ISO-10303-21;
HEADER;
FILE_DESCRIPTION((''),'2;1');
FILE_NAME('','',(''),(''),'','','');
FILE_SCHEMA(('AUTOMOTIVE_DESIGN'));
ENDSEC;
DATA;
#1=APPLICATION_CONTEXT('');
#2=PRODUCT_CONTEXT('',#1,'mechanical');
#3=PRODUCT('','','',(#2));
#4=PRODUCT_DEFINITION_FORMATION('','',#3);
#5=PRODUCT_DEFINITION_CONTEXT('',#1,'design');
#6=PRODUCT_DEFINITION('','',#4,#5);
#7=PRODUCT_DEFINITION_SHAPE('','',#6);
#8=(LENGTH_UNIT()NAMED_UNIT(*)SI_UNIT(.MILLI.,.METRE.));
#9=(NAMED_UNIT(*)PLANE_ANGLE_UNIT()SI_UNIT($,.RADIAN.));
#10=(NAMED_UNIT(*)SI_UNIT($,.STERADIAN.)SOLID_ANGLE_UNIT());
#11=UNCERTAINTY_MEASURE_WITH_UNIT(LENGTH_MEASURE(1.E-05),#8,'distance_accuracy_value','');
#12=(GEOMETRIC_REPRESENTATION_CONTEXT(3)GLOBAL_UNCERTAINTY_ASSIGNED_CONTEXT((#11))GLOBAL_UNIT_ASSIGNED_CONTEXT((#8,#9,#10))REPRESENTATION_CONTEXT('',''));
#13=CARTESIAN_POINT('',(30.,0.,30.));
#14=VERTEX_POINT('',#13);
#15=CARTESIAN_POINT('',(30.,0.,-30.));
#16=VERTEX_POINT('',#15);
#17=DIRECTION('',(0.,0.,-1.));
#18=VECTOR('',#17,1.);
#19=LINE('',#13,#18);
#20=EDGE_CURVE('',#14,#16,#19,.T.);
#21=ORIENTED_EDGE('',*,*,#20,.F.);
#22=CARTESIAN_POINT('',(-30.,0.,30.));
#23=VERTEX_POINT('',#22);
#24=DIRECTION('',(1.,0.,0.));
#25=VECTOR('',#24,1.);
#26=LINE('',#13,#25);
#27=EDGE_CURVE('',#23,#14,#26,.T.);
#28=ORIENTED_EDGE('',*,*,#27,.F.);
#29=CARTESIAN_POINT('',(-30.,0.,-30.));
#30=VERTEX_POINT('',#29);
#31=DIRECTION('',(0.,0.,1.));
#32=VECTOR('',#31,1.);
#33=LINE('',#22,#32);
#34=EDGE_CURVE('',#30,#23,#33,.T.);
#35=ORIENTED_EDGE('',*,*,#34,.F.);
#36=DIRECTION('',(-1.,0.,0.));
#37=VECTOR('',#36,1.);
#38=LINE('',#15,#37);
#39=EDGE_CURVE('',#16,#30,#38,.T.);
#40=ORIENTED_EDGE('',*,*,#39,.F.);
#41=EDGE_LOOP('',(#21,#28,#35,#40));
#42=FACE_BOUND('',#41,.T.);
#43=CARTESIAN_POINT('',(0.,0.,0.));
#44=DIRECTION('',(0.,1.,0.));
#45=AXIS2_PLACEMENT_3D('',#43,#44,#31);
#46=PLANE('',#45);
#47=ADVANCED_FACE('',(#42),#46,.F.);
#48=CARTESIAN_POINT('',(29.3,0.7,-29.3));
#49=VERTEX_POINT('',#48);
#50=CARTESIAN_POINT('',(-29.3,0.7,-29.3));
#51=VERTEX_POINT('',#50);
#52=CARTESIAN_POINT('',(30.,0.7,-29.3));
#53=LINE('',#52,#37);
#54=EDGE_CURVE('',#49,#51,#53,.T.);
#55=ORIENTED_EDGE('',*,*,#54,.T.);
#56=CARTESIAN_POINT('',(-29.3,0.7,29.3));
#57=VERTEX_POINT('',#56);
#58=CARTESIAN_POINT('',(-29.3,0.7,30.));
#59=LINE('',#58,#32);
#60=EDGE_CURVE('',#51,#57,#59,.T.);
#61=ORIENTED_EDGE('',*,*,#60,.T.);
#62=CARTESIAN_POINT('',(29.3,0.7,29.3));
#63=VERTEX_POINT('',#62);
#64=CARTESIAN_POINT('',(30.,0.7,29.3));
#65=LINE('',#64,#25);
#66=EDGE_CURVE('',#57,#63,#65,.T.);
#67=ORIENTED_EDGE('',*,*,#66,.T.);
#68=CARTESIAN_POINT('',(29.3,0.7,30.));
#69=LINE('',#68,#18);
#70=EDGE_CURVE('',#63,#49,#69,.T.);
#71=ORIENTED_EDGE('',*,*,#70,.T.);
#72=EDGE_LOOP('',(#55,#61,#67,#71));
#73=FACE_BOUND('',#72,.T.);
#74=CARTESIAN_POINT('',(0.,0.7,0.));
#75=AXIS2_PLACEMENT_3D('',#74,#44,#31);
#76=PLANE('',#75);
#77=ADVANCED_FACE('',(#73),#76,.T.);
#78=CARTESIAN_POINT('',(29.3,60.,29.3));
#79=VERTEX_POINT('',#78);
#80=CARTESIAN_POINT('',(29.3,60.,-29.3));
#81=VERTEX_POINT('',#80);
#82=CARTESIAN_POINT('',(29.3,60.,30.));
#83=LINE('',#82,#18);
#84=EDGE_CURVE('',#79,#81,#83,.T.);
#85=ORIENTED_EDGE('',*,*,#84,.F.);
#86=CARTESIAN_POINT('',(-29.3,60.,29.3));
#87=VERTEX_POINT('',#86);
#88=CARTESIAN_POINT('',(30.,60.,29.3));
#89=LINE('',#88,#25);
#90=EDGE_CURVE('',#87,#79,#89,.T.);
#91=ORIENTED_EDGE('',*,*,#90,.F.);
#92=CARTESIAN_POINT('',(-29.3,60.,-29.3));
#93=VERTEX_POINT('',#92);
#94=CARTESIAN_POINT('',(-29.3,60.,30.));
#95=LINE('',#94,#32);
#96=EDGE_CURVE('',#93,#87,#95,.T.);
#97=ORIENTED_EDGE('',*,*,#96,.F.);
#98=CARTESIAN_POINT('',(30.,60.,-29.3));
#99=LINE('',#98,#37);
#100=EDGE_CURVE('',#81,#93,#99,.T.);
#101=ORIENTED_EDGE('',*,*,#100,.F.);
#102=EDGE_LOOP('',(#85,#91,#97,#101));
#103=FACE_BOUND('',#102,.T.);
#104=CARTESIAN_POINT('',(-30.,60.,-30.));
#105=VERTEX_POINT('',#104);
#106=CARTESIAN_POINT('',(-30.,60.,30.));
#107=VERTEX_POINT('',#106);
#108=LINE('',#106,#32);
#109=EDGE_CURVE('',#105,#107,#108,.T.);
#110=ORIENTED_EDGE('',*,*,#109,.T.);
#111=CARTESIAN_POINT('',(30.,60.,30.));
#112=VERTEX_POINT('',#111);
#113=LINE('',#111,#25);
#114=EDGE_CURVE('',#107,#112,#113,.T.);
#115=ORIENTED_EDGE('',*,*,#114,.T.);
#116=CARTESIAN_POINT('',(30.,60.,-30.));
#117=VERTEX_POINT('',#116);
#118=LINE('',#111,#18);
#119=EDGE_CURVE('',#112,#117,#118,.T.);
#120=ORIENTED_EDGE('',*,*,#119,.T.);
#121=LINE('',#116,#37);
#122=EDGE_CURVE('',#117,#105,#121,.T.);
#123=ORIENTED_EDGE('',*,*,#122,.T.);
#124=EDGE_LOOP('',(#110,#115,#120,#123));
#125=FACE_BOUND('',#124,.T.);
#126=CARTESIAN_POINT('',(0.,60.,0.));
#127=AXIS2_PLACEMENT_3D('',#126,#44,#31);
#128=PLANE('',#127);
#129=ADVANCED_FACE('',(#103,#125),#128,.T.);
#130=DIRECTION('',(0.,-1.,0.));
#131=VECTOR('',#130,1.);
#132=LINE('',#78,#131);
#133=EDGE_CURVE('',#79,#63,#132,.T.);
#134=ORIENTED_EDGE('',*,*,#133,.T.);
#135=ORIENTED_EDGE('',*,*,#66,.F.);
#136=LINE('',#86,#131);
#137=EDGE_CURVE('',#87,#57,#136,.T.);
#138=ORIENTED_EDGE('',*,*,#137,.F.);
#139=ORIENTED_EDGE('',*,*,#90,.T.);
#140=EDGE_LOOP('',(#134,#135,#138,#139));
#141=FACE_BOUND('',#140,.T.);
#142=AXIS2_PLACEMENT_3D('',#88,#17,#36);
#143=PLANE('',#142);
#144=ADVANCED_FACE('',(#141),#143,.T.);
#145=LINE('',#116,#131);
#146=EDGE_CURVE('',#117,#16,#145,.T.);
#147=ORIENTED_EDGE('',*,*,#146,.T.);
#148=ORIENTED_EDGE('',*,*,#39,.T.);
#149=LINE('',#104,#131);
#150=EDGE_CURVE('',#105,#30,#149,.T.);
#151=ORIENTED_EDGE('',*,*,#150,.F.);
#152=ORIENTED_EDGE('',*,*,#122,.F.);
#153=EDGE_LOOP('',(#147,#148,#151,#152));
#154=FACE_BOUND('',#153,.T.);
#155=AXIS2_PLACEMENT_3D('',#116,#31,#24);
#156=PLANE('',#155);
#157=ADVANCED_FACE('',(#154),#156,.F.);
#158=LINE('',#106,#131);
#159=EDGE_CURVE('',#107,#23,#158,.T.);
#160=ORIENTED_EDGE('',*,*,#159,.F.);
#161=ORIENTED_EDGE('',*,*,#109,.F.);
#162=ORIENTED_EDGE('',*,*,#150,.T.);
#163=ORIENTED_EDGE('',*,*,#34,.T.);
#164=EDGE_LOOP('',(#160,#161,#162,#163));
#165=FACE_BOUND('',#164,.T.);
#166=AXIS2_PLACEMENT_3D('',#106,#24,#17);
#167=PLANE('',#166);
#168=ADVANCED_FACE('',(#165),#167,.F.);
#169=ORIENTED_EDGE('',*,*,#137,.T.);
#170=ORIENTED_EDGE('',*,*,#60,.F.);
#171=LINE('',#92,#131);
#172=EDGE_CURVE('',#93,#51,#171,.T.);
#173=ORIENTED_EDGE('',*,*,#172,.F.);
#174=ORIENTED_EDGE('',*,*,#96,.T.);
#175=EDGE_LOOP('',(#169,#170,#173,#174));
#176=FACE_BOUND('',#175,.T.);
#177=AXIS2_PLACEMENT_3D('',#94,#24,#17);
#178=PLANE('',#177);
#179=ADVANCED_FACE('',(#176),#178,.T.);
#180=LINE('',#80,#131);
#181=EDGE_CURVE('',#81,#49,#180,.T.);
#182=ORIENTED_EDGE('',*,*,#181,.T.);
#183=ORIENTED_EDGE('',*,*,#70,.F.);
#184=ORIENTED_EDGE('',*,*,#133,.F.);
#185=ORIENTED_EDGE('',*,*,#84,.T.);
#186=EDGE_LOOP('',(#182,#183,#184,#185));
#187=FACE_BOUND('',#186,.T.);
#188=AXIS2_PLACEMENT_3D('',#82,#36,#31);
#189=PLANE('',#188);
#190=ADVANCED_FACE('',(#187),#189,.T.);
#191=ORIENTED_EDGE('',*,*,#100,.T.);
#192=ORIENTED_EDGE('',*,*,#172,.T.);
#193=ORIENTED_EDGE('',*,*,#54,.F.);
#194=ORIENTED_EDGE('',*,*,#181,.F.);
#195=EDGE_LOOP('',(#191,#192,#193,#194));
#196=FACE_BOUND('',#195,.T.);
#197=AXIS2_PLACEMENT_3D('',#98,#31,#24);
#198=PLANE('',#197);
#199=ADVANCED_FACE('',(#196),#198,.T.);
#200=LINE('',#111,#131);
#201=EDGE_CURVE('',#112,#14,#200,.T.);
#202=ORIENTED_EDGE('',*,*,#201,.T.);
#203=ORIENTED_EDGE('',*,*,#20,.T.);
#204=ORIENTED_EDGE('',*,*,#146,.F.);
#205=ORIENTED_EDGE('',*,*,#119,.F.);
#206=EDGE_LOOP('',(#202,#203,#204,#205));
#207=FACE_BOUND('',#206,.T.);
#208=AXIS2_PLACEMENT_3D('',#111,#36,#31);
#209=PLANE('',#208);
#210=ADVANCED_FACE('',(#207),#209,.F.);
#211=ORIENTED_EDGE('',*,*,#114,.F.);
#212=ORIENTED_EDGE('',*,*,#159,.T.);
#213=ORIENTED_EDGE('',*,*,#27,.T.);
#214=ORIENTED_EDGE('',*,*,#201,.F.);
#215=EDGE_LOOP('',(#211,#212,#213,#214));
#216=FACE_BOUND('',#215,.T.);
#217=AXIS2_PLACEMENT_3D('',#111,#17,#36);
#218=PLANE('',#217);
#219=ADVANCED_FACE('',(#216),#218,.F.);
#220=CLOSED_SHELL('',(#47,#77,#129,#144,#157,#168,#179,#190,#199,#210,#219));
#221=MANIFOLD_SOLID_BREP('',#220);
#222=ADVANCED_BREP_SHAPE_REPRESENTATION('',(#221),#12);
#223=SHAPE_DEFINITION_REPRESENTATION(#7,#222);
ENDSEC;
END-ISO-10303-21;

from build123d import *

# Parameters (mm, degrees)
SKETCH1_W           = 60
SKETCH1_H           = 60
BOSS_EXTRUDE1_DEPTH = 60
SHELL1_T            = -0.7


with BuildPart() as part:
    # Sketch1 → Boss-Extrude1 (new body)
    with BuildSketch(Plane(origin=(0, 0, 0), x_dir=(1, 0, 0), z_dir=(0, 1, 0))):
        Rectangle(SKETCH1_W, SKETCH1_H)
    extrude(amount=BOSS_EXTRUDE1_DEPTH)

    # Shell1
    shell1_openings = [part.faces().sort_by_distance(p)[0] for p in [
        (0, 60, 0),
    ]]
    offset(amount=SHELL1_T, openings=shell1_openings, kind=Kind.INTERSECTION)


solid = part.part
